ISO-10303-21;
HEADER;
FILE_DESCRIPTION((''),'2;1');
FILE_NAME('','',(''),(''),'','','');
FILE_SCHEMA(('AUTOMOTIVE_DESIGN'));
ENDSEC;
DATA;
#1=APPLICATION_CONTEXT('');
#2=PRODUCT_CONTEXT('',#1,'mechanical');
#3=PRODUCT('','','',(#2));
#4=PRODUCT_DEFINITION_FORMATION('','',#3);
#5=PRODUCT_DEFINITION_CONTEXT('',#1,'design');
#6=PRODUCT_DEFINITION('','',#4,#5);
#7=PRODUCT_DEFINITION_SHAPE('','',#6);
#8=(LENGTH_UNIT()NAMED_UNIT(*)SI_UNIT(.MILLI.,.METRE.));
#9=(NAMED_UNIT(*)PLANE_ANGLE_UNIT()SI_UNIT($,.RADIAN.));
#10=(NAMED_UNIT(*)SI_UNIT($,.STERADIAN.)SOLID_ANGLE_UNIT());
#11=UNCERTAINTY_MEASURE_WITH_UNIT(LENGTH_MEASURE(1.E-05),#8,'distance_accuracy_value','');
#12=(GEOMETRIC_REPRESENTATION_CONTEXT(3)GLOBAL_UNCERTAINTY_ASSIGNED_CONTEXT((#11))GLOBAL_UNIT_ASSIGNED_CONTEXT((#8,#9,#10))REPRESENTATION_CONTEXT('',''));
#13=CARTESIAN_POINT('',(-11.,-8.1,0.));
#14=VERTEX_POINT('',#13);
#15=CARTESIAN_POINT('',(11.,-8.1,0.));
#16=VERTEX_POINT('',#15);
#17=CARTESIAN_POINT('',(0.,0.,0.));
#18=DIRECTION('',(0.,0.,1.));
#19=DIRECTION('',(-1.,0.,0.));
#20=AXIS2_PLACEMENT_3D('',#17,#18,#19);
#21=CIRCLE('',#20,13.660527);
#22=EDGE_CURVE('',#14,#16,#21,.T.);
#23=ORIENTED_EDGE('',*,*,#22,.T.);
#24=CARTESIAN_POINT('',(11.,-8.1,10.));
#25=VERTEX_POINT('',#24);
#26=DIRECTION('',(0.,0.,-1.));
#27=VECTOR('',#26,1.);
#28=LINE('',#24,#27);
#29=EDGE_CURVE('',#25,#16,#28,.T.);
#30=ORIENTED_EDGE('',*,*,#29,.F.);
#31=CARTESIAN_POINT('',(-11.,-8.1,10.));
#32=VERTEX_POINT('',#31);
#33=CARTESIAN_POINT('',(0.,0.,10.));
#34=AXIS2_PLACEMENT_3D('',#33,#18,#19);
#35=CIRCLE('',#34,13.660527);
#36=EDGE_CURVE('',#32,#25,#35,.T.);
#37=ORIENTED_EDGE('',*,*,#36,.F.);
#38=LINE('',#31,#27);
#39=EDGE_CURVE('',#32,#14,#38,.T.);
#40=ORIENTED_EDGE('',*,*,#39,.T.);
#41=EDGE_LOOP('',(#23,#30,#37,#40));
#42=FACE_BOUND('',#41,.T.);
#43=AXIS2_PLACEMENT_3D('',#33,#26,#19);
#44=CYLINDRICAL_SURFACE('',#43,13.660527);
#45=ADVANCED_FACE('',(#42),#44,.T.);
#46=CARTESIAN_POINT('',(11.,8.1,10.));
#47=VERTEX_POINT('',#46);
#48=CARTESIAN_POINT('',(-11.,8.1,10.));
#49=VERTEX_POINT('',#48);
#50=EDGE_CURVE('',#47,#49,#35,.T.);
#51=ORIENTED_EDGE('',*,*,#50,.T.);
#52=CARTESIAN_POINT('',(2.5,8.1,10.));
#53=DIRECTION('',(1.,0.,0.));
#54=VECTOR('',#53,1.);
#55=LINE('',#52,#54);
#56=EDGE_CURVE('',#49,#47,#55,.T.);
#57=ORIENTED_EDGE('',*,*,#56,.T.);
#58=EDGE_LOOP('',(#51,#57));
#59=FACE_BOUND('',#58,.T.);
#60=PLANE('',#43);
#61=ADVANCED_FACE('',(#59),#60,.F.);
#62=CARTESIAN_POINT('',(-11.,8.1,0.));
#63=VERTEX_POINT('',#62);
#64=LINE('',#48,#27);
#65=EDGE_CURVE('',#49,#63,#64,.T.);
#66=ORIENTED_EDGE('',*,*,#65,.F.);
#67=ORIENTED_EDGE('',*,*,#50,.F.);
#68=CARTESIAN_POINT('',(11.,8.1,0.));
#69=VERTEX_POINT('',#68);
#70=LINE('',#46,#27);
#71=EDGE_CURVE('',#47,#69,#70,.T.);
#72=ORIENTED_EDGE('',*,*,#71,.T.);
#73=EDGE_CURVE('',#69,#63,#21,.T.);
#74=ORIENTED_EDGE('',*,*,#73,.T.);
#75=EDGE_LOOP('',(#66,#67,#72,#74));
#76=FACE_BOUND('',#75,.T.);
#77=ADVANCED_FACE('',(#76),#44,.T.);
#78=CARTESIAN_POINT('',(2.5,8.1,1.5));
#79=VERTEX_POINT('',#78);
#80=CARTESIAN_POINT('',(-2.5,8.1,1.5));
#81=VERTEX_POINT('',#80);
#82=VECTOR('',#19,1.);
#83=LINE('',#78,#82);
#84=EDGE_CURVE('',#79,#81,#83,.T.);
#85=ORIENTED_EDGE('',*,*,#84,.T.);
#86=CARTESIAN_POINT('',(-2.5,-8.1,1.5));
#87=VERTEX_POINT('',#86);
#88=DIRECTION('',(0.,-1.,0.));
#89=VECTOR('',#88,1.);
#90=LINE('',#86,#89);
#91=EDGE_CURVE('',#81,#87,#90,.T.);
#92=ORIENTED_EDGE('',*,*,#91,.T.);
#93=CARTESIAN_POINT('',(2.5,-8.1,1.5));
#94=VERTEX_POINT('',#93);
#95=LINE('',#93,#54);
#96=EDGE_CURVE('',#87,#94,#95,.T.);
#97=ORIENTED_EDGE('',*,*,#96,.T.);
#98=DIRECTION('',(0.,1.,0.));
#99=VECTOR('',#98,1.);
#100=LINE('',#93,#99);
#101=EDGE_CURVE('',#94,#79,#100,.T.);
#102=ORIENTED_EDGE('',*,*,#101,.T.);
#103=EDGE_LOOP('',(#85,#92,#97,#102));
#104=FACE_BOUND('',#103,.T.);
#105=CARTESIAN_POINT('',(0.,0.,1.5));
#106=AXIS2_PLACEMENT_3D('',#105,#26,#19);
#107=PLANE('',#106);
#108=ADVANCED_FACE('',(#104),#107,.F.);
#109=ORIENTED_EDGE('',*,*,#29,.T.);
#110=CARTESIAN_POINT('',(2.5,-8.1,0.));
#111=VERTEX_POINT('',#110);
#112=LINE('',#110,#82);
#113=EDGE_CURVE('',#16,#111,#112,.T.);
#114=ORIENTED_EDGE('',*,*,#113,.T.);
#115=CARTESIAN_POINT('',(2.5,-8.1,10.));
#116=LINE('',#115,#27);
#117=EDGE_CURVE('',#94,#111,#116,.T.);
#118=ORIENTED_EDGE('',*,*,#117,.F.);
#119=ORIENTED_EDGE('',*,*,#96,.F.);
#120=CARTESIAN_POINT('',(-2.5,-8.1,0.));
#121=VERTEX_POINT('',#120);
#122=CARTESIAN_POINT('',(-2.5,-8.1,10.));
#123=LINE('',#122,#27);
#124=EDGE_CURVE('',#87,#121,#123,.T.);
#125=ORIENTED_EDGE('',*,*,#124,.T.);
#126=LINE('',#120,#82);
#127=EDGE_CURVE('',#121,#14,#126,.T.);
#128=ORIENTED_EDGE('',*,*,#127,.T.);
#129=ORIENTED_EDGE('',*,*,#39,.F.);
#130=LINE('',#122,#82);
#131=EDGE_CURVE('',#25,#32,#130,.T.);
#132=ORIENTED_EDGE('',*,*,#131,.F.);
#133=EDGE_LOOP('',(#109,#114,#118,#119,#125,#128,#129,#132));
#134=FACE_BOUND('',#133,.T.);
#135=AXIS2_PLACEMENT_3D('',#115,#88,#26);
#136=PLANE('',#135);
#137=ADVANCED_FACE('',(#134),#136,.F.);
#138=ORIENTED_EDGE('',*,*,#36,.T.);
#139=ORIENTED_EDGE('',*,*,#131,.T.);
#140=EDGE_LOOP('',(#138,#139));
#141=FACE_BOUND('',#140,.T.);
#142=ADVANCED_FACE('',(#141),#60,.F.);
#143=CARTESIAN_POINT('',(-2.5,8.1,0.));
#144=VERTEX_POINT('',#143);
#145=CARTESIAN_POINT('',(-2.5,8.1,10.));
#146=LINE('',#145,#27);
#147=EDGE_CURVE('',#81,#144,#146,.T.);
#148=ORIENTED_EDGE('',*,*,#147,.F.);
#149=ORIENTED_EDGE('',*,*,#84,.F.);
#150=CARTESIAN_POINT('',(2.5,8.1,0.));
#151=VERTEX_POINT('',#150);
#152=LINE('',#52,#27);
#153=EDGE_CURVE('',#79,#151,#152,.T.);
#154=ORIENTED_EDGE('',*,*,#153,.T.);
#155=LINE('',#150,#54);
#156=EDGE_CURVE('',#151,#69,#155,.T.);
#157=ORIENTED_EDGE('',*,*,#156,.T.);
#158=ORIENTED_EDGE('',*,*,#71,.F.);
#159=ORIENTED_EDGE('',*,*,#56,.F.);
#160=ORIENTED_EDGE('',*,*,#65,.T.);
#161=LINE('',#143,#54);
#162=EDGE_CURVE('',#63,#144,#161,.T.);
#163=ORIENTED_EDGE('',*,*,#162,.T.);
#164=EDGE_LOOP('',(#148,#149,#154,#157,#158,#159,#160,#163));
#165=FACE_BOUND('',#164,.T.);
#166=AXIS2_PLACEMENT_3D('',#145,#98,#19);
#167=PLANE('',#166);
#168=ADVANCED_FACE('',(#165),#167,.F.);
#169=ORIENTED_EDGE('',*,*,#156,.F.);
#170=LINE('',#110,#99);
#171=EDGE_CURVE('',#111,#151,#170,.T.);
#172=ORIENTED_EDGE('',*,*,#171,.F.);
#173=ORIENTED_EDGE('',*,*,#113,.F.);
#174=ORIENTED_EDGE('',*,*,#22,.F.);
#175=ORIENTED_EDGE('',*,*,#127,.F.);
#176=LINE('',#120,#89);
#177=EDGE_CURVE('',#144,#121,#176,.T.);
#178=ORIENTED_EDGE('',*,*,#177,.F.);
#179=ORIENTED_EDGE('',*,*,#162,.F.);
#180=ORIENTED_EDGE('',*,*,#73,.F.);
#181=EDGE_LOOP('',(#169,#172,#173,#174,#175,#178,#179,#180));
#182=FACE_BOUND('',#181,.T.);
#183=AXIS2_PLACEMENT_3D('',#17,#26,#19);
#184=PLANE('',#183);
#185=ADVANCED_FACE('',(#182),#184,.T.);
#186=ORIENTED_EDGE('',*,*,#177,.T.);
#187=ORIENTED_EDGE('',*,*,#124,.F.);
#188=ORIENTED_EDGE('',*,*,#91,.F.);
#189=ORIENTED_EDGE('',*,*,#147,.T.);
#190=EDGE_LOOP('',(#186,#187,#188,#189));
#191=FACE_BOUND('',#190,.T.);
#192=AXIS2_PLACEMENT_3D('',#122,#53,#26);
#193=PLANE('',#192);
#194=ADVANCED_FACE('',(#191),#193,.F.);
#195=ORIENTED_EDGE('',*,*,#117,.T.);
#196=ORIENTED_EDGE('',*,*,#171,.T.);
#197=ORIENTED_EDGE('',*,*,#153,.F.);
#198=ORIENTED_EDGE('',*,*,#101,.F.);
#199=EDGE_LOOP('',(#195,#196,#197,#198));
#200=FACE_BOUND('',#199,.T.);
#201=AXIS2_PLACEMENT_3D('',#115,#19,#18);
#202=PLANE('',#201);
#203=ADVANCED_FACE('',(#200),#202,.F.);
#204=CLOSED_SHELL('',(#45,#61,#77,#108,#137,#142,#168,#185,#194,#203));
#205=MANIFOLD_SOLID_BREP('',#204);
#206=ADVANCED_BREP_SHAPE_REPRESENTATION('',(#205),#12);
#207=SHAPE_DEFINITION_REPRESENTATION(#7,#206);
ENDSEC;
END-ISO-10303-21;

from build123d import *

# Parameters (mm, degrees)
EXTRUDE_1_DEPTH     = 10
SKETCH_3_W          = 5
SKETCH_3_H          = 16.2
CUT_EXTRUDE_1_DEPTH = 8.5


with BuildPart() as part:
    # Эскиз2 → Бобышка-Вытянуть1 (new body)
    with BuildSketch(Plane.XY):
        with BuildLine():
            Line((-2.5, 8.1), (-11, 8.1))
            ThreePointArc((-11, 8.1), (0, 13.660527076), (11, 8.1))
            Line((11, 8.1), (2.5, 8.1))
            Line((2.5, 8.1), (2.5, -8.1))
            Line((2.5, -8.1), (11, -8.1))
            ThreePointArc((11, -8.1), (0, -13.660527076), (-11, -8.1))
            Line((-11, -8.1), (-2.5, -8.1))
            Line((-2.5, -8.1), (-2.5, 8.1))
        make_face()
    extrude(amount=EXTRUDE_1_DEPTH)

    # Эскиз3 → Вырез-Вытянуть1 (cut)
    with BuildSketch(Plane.XY.offset(10)):
        Rectangle(SKETCH_3_W, SKETCH_3_H)
    extrude(amount=-CUT_EXTRUDE_1_DEPTH, mode=Mode.SUBTRACT)


solid = part.part
